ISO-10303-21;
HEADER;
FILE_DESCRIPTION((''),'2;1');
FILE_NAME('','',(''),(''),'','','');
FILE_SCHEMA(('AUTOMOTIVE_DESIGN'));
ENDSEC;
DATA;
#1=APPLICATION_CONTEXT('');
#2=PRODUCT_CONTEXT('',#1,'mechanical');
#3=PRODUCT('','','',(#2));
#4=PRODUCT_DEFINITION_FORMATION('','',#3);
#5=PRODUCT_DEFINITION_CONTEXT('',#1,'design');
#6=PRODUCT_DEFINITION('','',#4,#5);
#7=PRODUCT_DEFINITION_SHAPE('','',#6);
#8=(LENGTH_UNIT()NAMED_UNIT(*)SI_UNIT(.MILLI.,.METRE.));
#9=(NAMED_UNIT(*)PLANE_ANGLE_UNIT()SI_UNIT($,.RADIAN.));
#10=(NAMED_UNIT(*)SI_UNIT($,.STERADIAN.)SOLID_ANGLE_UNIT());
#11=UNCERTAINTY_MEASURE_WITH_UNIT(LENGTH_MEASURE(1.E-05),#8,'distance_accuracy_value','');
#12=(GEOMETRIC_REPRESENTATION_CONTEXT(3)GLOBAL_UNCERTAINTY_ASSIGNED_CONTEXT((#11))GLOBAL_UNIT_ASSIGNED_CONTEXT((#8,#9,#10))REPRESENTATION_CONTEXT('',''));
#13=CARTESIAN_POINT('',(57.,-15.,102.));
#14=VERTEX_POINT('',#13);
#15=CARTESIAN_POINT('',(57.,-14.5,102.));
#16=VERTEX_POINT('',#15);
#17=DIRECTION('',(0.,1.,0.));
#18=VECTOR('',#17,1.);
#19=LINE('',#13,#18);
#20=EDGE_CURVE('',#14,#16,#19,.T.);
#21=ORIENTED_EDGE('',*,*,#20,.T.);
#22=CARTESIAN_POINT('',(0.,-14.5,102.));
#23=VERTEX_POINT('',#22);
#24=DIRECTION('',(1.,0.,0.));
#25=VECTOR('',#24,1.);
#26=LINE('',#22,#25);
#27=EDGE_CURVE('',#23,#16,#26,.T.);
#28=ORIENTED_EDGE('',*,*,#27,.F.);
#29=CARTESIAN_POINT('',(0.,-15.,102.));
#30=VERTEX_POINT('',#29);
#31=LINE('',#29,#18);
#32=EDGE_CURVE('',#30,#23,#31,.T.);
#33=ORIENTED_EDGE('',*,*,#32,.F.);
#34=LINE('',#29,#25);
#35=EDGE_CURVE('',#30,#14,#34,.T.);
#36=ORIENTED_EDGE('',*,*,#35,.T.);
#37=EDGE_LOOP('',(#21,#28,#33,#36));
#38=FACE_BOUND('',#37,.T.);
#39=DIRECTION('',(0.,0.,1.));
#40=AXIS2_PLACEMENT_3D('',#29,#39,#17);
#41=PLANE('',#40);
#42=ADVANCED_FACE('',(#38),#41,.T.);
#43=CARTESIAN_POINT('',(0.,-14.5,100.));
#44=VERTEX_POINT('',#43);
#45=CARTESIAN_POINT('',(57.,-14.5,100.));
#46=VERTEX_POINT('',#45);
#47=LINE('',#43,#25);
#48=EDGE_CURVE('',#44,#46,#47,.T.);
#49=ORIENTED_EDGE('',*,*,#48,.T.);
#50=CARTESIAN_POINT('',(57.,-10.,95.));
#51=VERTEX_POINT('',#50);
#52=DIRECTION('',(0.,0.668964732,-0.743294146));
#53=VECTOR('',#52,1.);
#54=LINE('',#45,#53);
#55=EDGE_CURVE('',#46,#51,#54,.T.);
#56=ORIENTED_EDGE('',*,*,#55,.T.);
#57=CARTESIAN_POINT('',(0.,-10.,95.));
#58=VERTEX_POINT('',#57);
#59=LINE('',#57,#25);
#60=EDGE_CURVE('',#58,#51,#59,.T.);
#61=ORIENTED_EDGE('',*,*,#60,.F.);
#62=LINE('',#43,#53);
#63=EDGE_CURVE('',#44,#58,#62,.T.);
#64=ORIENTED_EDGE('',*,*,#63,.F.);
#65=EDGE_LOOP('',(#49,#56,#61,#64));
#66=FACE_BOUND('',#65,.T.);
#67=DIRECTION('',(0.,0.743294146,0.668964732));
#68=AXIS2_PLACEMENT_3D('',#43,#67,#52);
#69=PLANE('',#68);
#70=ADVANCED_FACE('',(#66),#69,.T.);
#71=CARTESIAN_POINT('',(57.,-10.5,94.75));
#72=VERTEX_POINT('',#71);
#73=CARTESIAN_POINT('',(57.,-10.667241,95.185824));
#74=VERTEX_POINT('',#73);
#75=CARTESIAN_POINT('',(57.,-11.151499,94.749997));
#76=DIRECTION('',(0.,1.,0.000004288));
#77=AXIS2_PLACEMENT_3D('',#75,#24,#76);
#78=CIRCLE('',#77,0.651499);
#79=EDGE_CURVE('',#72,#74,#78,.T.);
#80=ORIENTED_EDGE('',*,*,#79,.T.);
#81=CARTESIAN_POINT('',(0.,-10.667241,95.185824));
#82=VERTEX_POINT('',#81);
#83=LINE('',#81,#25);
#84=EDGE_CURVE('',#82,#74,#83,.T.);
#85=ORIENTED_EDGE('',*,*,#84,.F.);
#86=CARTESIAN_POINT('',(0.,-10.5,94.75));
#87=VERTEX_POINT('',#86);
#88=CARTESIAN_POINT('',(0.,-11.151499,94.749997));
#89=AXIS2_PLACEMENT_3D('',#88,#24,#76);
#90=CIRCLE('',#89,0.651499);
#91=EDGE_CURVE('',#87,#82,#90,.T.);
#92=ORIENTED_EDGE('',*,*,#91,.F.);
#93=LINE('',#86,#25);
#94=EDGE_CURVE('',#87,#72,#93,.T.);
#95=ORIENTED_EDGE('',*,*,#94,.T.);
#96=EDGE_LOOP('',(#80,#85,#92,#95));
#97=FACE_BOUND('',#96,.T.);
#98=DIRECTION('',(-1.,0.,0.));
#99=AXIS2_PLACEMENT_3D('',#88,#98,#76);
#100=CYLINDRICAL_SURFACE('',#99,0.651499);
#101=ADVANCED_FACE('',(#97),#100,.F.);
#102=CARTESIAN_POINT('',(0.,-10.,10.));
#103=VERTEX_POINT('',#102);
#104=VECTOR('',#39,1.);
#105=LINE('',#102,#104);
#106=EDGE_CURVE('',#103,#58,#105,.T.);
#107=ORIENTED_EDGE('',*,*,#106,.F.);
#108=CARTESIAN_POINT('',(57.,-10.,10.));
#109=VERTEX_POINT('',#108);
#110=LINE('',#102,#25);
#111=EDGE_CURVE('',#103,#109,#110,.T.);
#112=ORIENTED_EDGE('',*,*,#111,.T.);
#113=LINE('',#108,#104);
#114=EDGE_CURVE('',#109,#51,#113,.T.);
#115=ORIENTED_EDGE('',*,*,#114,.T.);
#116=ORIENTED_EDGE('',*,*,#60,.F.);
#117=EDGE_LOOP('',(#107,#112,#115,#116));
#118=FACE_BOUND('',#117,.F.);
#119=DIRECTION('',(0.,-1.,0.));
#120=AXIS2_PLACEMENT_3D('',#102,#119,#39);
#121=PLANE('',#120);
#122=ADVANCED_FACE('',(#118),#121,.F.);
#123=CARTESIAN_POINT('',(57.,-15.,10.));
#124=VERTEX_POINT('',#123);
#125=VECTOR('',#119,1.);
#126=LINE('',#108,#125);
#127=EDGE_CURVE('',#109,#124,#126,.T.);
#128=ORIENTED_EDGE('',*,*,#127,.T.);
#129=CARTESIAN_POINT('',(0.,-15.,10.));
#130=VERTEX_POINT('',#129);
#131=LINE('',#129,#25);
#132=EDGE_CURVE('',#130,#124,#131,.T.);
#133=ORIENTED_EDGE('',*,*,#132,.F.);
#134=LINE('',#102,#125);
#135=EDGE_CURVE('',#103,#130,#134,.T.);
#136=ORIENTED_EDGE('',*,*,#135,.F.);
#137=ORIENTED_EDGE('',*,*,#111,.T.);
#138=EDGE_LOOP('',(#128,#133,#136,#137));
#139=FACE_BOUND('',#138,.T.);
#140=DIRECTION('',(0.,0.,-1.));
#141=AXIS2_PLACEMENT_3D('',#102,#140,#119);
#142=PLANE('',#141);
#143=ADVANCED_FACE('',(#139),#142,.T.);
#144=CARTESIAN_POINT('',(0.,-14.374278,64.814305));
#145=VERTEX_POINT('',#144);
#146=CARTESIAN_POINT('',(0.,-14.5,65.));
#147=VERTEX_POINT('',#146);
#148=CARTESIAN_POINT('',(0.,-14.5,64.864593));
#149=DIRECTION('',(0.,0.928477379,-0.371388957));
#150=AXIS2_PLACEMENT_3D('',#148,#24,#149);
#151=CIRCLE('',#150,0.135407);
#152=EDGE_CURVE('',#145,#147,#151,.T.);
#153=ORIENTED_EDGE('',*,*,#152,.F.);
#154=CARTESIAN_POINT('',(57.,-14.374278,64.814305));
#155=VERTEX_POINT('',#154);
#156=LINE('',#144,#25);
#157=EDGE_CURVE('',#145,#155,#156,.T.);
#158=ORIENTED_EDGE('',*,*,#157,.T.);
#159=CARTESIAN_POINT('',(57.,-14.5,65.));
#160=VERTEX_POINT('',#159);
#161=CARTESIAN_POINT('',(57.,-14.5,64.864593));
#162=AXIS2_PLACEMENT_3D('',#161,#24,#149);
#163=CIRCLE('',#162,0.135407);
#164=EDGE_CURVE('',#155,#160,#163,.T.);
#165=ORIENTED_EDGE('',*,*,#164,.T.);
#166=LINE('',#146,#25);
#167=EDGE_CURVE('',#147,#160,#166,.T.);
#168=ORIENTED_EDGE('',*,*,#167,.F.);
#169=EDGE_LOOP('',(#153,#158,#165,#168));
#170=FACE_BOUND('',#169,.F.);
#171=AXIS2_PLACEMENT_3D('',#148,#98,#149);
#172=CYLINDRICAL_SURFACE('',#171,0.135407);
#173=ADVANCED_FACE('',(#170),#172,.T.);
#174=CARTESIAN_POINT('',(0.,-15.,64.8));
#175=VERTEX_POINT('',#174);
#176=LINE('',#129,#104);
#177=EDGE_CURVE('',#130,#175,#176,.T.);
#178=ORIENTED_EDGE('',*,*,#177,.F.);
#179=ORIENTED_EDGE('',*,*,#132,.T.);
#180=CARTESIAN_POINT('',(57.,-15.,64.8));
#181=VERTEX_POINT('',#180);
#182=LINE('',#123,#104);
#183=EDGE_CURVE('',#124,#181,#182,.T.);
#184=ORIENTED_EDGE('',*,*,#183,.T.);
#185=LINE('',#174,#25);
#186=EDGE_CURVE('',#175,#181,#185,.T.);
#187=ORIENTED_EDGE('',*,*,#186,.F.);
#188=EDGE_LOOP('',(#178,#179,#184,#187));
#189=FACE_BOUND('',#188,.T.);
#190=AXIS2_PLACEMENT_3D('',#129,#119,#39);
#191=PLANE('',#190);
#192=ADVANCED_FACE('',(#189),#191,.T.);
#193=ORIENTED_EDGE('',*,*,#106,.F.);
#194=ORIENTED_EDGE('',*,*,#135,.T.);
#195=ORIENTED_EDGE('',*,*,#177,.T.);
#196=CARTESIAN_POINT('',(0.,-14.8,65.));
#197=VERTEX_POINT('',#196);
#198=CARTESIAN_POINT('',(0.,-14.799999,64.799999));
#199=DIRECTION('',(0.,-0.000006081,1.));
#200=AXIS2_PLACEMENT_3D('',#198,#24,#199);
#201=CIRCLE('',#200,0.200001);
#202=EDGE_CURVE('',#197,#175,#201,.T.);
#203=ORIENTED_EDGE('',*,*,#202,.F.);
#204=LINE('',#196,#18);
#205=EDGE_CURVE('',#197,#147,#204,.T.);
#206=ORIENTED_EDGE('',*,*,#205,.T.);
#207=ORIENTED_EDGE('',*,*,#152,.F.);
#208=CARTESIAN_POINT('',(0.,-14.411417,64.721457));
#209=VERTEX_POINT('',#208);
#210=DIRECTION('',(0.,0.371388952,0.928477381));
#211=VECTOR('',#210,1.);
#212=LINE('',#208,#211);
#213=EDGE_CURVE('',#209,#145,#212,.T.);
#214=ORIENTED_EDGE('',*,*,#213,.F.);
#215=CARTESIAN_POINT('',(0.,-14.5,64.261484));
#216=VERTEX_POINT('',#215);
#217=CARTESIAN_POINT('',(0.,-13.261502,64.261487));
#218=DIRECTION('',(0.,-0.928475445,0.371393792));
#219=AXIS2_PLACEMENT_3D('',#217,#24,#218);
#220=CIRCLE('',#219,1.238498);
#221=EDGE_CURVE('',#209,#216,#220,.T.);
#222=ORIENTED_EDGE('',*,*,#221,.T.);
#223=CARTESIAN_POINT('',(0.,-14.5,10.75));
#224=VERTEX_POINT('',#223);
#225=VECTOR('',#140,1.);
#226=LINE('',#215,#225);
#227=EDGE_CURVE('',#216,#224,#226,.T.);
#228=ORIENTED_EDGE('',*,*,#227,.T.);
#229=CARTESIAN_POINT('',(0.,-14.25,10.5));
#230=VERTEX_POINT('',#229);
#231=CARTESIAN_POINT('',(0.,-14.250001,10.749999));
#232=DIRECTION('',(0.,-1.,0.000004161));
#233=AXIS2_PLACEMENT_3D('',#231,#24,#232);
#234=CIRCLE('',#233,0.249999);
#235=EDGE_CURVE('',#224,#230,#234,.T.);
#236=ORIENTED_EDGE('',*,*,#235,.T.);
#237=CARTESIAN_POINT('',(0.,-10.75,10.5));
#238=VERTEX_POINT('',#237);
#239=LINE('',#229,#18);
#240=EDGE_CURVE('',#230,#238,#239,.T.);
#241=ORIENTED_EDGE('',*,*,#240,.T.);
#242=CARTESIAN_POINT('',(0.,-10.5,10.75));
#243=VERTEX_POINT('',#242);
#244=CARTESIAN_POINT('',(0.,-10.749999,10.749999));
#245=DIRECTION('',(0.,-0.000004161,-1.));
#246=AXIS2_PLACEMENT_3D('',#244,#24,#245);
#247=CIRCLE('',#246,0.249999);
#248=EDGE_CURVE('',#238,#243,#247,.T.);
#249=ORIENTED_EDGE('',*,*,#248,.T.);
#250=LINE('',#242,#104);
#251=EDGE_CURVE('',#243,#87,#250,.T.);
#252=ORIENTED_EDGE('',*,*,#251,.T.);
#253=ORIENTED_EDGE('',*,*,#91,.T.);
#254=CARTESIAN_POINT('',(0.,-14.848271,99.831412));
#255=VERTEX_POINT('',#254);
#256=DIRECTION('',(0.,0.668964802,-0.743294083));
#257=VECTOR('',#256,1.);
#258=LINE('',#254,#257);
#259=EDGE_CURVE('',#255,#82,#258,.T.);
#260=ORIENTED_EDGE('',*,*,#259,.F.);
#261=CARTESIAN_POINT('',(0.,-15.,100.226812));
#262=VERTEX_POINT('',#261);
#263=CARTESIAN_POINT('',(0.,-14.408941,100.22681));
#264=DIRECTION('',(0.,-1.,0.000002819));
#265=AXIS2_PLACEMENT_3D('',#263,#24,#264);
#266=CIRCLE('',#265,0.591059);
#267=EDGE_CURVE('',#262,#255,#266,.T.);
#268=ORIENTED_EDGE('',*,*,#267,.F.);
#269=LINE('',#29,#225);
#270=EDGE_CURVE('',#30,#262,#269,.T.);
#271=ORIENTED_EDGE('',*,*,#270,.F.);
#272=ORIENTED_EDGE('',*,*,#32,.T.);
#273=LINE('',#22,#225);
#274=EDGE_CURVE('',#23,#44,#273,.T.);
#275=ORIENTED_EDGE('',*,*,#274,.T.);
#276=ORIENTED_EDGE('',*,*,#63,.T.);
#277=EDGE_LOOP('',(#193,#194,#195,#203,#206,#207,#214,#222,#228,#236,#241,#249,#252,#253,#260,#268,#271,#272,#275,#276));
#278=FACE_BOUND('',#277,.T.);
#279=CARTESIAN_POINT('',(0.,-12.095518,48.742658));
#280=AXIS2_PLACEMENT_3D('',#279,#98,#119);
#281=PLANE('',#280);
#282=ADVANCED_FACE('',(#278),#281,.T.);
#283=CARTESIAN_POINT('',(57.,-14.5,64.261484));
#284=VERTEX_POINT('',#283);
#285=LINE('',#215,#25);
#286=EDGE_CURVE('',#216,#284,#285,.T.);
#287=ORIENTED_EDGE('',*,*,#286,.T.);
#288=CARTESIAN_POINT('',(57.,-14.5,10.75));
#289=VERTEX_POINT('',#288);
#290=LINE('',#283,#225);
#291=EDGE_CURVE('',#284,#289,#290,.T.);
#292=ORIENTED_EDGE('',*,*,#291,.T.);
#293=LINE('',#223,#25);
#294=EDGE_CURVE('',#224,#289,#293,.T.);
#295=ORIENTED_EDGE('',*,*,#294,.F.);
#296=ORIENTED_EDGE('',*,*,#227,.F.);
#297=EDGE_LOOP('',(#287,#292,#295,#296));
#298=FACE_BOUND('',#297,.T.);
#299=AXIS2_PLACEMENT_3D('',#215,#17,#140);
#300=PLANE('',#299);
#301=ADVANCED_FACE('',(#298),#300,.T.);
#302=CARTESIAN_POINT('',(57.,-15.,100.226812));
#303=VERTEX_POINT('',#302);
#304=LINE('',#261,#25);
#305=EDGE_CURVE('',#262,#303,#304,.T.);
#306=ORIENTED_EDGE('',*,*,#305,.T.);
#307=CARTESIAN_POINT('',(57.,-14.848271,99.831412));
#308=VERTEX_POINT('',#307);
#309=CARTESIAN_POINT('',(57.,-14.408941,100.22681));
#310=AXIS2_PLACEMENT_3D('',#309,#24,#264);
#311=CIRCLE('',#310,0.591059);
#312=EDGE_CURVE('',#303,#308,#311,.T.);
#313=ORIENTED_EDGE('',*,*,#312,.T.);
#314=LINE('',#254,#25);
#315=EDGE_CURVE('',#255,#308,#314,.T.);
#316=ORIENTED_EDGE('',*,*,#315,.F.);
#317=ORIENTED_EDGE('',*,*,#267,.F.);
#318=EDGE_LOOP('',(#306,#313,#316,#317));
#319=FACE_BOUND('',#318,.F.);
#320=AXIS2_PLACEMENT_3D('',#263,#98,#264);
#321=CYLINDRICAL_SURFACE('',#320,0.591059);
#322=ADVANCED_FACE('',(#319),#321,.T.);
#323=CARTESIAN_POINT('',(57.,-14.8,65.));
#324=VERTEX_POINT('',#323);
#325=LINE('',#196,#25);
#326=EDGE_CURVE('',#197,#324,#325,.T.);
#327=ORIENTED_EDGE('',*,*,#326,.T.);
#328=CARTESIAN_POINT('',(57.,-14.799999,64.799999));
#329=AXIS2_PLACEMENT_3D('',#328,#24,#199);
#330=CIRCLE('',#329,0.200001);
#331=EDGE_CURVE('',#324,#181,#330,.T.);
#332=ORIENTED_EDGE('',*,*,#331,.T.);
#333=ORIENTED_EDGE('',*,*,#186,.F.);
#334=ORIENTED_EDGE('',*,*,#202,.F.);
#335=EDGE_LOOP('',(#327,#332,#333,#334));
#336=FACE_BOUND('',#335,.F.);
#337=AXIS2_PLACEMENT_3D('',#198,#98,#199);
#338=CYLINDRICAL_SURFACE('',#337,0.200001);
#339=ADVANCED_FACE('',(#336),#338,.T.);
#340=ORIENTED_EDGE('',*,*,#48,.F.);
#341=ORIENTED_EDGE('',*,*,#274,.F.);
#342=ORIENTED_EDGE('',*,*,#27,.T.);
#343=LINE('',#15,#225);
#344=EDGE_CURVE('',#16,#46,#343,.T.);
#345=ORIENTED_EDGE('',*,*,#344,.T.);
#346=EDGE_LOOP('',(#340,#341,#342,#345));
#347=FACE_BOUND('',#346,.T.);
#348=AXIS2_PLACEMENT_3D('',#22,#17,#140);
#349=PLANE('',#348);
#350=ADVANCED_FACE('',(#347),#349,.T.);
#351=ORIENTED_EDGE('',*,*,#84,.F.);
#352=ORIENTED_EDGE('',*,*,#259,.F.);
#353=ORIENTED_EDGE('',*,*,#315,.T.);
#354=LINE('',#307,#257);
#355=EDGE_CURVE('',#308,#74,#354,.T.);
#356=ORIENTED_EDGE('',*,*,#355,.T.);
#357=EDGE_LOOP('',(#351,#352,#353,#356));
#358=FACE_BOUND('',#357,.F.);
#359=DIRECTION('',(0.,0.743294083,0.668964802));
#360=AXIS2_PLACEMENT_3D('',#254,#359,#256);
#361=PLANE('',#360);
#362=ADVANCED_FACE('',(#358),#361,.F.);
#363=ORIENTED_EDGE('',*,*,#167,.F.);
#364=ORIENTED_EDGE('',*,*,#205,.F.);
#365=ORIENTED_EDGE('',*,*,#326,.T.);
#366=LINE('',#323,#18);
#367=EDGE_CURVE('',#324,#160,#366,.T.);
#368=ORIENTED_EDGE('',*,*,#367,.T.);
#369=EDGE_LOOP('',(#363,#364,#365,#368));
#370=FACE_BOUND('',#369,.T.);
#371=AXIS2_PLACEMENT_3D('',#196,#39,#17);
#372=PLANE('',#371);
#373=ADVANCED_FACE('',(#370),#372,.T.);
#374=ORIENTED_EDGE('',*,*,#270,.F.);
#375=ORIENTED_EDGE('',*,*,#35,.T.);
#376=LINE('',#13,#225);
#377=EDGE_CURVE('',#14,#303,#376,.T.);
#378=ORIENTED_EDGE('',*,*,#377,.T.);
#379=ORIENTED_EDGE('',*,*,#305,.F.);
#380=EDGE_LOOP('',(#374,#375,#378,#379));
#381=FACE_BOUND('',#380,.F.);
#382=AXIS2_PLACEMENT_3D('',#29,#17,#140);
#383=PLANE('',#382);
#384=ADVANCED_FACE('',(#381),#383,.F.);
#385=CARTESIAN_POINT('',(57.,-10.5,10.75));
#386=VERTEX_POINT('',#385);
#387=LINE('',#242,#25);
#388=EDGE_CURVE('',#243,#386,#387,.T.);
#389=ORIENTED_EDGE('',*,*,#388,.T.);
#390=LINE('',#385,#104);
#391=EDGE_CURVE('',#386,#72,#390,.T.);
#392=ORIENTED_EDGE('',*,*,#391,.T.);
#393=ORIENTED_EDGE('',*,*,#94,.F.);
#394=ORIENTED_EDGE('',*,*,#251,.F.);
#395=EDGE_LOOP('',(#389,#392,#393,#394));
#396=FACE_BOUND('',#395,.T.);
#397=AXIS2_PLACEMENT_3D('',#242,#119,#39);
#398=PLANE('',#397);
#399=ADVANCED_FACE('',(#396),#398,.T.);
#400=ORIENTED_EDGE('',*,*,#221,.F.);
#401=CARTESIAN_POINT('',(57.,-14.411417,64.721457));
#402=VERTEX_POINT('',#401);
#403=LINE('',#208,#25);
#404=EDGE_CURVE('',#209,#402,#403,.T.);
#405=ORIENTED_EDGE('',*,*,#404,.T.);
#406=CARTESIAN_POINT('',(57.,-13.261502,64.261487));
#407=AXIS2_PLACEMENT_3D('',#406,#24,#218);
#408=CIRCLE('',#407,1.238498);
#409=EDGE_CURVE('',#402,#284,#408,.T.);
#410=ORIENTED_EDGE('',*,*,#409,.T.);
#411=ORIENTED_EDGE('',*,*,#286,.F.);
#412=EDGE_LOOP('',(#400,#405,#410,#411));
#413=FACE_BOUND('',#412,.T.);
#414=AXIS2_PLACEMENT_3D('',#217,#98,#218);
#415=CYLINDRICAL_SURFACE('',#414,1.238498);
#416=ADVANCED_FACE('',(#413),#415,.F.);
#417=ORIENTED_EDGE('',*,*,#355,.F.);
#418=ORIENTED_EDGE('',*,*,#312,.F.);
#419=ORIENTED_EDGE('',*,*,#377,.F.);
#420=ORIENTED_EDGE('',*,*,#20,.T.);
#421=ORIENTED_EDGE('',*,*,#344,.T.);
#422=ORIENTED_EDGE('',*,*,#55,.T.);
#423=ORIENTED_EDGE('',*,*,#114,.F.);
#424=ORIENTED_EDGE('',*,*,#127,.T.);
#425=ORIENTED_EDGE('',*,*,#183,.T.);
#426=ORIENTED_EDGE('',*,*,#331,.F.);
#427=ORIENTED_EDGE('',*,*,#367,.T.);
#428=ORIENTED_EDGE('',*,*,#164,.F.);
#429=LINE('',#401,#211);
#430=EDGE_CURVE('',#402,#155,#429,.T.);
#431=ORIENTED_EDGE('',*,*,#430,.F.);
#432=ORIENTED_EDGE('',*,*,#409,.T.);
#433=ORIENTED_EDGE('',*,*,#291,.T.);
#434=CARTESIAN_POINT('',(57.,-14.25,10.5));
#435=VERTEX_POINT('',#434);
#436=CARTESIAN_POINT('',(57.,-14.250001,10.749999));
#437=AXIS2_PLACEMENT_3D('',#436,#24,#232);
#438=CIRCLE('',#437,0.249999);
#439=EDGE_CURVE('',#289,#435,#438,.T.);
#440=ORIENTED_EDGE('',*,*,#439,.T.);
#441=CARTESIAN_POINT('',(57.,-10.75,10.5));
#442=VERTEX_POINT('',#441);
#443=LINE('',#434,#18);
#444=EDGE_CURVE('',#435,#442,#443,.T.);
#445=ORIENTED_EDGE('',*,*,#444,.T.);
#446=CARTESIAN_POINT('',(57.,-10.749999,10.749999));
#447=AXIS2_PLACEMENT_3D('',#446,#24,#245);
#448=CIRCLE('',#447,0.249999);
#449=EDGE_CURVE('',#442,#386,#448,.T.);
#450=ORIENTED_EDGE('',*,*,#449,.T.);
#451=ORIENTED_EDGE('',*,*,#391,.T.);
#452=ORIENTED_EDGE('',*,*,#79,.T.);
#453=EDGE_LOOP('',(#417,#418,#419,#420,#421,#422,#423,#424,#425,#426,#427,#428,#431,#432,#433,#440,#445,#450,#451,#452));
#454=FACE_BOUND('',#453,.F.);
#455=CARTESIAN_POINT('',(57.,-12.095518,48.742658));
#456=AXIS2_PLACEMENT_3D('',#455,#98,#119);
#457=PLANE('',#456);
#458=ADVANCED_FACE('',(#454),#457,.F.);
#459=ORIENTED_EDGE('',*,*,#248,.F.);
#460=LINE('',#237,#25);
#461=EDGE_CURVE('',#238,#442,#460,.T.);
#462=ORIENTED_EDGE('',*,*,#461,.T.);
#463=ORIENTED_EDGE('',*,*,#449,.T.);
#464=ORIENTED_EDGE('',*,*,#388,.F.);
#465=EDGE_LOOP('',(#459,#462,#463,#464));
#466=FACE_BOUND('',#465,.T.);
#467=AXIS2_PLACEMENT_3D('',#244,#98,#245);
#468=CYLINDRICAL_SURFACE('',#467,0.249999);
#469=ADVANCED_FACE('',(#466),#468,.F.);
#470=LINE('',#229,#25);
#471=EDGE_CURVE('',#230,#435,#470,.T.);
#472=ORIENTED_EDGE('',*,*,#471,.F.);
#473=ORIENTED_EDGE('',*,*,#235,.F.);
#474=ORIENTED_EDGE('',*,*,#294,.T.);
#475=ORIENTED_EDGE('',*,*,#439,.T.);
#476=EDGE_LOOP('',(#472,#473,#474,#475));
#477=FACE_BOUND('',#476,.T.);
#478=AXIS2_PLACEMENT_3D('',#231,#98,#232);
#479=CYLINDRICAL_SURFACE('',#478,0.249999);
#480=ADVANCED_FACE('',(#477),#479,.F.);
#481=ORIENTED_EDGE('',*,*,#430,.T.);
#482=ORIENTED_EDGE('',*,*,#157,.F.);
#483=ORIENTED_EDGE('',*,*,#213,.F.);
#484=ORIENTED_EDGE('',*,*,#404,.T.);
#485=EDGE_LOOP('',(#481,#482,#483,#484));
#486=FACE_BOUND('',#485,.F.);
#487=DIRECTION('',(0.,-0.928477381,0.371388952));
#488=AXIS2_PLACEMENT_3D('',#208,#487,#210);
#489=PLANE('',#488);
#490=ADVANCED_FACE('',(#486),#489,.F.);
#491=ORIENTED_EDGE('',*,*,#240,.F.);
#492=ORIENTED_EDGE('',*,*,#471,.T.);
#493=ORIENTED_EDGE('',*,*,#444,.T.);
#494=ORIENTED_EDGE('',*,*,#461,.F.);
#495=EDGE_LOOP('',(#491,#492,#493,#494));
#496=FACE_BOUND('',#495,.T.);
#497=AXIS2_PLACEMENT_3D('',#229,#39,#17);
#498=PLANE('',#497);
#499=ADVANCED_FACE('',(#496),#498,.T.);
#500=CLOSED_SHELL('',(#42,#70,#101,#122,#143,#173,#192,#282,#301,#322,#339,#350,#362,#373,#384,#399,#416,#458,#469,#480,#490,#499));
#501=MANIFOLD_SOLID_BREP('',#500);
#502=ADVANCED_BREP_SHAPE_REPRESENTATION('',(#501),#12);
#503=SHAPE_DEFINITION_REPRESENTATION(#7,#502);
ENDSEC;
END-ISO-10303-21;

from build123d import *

# Parameters (mm, degrees)
PAD002_DEPTH = 57


with BuildPart() as part:
    # Sketch005 → Pad002 (new body)
    with BuildSketch(Plane.YZ):
        with BuildLine():
            Line((-10, 10), (-15, 10))
            Line((-15, 10), (-15, 64.8))
            ThreePointArc((-14.8, 65), (-14.941421, 64.941421), (-15, 64.8))
            Line((-14.8, 65), (-14.5, 65))
            ThreePointArc((-14.374278, 64.814305), (-14.387874, 64.940506), (-14.5, 65))
            Line((-14.411417, 64.721457), (-14.374278, 64.814305))
            ThreePointArc((-14.411417, 64.721457), (-14.477653, 64.495696), (-14.5, 64.261484))
            Line((-14.5, 64.261484), (-14.5, 10.75))
            ThreePointArc((-14.5, 10.75), (-14.426777, 10.573223), (-14.25, 10.5))
            Line((-14.25, 10.5), (-10.75, 10.5))
            ThreePointArc((-10.75, 10.5), (-10.573223, 10.573223), (-10.5, 10.75))
            Line((-10.5, 10.75), (-10.5, 94.75))
            ThreePointArc((-10.5, 94.75), (-10.543246, 94.983405), (-10.667241, 95.185824))
            Line((-14.848271, 99.831412), (-10.667241, 95.185824))
            ThreePointArc((-15, 100.226812), (-14.960766, 100.015056), (-14.848271, 99.831412))
            Line((-15, 102), (-15, 100.226812))
            Line((-15, 102), (-14.5, 102))
            Line((-14.5, 102), (-14.5, 100))
            Line((-14.5, 100), (-10, 95))
            Line((-10, 10), (-10, 95))
        make_face()
    extrude(amount=PAD002_DEPTH)


solid = part.part
